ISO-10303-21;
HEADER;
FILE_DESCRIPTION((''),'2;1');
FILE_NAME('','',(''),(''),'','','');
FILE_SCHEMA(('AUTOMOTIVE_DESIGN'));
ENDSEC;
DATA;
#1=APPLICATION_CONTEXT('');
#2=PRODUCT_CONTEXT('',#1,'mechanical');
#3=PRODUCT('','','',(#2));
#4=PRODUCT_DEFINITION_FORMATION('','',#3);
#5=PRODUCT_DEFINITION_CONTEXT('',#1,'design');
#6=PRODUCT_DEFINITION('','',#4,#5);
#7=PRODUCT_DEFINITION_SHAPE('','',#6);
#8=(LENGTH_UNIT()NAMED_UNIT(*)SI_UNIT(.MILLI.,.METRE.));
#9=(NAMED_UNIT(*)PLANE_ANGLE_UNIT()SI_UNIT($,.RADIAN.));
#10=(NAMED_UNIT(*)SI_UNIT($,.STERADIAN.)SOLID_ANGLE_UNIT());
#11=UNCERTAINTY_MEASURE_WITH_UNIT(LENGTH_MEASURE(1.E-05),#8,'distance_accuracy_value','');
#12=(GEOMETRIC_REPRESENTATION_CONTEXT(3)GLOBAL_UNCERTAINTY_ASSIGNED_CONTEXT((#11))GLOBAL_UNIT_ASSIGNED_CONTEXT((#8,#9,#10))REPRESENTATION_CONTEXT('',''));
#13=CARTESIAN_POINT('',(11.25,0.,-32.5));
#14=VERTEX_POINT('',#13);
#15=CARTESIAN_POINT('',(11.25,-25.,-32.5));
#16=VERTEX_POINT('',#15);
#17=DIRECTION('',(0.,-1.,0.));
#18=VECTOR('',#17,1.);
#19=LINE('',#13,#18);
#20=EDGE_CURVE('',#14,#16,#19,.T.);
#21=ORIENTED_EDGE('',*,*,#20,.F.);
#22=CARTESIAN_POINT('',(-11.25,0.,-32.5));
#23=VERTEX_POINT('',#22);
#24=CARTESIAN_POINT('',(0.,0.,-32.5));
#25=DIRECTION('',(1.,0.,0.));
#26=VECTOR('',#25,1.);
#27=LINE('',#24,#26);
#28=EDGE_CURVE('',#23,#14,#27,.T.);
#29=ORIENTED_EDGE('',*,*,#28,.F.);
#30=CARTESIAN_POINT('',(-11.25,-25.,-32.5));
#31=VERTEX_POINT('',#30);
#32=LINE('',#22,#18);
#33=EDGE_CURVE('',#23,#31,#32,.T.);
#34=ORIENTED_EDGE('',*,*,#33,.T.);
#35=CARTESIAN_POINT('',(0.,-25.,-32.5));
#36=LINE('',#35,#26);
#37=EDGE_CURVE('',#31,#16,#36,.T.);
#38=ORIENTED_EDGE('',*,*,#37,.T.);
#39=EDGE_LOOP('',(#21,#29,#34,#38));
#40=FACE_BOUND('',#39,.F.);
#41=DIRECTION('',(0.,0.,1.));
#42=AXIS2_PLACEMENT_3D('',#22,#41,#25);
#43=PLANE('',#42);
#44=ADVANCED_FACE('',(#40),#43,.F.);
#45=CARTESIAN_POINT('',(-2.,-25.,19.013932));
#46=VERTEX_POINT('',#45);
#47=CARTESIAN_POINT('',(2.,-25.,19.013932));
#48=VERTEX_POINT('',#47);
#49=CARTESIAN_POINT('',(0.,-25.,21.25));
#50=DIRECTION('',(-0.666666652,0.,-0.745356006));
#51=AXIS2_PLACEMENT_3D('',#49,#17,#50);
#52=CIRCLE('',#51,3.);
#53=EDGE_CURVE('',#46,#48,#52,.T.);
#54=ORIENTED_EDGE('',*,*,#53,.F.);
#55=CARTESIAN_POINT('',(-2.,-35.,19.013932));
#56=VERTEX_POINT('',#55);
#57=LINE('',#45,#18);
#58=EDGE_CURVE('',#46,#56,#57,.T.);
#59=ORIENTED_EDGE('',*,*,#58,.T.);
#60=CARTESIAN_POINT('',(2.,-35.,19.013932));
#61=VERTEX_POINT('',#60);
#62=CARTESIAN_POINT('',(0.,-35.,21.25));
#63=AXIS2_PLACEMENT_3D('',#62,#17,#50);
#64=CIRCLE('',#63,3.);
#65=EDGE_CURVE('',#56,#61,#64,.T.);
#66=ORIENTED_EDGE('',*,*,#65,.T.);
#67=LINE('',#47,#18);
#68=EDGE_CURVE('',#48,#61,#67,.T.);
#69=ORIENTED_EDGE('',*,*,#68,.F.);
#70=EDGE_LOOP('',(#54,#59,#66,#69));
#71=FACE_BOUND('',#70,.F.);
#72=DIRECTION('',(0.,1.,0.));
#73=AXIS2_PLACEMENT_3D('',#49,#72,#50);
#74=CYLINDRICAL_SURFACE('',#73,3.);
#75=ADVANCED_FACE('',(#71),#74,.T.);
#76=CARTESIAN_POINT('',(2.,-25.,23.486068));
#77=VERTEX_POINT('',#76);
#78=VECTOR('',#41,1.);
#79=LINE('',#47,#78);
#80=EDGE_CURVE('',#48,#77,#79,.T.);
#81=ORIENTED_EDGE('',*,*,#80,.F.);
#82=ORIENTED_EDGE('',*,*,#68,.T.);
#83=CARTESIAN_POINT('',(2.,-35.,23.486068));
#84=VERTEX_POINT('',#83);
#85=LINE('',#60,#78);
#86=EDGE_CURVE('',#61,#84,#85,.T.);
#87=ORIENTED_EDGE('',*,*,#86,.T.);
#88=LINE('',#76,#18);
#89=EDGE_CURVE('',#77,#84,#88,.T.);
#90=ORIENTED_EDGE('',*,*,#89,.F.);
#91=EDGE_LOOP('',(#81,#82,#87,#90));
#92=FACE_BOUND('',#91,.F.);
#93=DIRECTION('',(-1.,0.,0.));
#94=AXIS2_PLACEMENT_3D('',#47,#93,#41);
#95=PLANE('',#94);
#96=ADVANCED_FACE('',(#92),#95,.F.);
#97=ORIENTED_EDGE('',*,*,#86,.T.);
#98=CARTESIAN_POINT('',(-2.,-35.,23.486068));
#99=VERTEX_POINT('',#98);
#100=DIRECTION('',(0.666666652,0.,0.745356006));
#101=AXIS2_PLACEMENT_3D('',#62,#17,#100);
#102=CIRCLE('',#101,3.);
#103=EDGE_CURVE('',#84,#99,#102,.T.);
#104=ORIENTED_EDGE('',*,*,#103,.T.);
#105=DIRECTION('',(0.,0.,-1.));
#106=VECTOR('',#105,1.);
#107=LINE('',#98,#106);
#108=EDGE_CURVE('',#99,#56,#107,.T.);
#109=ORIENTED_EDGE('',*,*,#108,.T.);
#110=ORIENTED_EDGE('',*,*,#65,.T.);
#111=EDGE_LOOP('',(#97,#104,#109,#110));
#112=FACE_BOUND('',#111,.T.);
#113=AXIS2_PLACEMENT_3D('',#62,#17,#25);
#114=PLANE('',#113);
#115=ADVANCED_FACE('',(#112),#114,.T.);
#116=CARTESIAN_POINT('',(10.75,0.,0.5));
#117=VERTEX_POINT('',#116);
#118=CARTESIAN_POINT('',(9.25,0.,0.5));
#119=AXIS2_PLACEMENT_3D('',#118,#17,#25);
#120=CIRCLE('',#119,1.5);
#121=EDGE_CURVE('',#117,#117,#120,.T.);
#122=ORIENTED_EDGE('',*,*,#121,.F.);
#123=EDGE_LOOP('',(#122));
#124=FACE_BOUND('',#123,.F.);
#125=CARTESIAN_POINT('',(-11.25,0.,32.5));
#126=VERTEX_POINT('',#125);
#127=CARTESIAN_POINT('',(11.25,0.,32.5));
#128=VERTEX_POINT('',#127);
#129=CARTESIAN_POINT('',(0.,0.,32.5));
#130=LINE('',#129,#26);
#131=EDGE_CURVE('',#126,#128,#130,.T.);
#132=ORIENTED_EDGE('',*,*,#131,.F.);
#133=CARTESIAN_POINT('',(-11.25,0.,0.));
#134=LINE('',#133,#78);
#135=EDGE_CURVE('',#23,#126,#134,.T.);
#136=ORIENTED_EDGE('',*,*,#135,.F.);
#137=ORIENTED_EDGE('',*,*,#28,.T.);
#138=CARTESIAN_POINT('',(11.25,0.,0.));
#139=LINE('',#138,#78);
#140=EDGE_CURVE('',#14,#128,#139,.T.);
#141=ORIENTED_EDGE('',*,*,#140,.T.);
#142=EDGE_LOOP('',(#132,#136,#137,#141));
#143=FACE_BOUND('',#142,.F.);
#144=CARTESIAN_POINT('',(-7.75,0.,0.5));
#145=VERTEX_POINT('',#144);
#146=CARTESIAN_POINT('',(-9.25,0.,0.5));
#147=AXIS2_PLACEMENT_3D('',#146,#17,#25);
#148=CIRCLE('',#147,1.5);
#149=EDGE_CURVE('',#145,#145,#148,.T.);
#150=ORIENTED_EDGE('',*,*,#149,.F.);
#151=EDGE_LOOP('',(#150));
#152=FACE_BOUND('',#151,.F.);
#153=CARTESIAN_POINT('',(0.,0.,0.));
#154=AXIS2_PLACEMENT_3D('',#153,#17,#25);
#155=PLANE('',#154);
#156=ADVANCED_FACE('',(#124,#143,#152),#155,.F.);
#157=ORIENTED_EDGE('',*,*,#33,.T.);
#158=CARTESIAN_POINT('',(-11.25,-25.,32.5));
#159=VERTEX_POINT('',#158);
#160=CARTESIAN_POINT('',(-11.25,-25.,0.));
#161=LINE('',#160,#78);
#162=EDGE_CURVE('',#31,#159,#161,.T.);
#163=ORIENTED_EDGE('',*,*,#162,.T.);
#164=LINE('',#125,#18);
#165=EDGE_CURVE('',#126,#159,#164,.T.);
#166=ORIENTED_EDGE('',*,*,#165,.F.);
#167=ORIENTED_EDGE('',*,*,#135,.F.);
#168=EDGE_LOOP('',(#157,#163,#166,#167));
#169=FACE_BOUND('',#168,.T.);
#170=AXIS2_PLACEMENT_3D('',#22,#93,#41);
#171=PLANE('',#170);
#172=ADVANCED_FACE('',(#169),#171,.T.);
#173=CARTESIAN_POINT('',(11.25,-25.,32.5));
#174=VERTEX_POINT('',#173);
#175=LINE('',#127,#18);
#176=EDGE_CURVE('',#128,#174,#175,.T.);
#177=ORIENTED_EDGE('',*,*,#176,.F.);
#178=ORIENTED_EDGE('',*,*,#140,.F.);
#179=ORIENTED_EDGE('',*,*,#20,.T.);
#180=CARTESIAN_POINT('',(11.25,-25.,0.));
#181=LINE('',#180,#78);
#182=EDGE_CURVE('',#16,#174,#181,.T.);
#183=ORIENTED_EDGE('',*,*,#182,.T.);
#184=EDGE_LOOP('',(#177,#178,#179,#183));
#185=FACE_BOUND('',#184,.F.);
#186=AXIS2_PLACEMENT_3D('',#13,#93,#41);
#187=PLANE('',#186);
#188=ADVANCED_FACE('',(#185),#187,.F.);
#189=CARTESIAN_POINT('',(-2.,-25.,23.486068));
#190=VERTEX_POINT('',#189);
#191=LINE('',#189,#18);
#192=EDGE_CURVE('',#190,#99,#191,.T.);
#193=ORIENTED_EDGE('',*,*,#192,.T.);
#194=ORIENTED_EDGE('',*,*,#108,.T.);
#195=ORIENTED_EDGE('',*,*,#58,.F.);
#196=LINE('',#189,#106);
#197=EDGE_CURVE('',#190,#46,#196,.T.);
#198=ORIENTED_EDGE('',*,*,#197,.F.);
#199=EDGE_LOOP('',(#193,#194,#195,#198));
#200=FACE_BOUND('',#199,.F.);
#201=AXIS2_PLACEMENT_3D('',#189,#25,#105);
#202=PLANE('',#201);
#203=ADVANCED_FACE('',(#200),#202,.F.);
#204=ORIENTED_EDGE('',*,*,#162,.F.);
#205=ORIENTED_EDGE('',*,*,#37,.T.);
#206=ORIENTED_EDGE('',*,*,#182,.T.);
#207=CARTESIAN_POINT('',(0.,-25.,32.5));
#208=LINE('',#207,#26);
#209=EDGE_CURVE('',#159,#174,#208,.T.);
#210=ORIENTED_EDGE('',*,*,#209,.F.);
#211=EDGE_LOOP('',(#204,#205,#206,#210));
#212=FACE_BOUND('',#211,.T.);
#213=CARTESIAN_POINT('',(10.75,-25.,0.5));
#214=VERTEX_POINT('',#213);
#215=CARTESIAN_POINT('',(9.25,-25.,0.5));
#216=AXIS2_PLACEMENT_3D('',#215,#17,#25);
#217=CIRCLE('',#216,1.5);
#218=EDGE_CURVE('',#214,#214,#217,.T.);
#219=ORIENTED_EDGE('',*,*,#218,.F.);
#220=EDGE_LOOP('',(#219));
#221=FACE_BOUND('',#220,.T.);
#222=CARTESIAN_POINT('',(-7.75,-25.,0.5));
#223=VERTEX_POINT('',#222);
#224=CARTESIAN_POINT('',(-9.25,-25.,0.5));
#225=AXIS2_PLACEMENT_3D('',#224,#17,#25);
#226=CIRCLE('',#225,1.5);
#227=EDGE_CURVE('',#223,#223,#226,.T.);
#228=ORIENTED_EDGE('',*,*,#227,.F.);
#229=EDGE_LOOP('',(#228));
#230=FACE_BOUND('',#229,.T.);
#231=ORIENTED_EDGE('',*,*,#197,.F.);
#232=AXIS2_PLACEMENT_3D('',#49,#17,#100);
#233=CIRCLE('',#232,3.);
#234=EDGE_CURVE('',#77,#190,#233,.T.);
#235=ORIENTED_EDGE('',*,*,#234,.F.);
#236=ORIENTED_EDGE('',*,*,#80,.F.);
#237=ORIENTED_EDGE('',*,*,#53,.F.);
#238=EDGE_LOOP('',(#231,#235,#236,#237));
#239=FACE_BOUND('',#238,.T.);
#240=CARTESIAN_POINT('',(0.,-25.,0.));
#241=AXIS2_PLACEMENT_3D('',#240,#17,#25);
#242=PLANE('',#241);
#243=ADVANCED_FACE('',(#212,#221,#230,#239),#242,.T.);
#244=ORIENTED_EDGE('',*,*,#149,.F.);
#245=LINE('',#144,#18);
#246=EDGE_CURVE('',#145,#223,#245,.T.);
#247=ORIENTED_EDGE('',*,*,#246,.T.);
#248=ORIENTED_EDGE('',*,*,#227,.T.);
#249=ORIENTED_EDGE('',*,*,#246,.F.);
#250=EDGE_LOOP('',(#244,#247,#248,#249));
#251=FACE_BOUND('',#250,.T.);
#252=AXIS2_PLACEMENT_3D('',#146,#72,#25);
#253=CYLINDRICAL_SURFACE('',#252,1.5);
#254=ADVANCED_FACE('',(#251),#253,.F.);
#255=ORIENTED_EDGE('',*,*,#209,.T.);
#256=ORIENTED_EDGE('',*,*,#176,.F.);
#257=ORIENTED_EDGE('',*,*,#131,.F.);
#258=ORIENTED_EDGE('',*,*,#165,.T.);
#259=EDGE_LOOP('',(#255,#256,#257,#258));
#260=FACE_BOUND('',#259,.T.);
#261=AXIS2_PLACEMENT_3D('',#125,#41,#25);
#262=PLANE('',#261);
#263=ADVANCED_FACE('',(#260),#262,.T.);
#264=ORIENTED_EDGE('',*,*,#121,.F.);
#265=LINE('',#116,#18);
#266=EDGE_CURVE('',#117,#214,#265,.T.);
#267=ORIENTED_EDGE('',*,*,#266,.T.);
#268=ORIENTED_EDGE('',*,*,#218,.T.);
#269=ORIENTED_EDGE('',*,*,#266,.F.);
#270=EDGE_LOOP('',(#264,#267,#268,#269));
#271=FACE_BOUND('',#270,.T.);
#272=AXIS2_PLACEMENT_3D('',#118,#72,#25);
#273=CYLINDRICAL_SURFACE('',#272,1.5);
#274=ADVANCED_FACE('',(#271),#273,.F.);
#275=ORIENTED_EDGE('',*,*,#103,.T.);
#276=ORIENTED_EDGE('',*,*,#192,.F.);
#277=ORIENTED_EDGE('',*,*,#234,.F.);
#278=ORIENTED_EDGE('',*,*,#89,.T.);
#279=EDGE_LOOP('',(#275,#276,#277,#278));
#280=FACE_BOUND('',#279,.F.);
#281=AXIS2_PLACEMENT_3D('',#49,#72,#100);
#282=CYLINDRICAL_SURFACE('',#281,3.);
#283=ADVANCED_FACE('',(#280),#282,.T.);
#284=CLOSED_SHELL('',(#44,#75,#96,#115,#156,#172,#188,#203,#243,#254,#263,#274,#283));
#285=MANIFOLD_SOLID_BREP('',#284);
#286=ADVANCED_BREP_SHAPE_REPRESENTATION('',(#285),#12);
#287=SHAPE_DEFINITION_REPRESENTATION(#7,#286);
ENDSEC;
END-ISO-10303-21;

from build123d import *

# Parameters (mm, degrees)
F0_W     = 22.5
F0_H     = 65
F0_R     = 1.5
F1_DEPTH = 25
F3_DEPTH = 10


with BuildPart() as f1:
    # F0 (on Front) → F1 (new body)
    with BuildSketch(Plane.XZ):
        Rectangle(F0_W, F0_H)
        with Locations((-9.25, 0.5)):
            Circle(F0_R, mode=Mode.SUBTRACT)
        with Locations((9.25, 0.5)):
            Circle(F0_R, mode=Mode.SUBTRACT)
    extrude(amount=F1_DEPTH)

    # F2 (on face) → F3 (join)
    with BuildSketch(Plane.XZ.offset(25)):
        with BuildLine():
            Line((-2, 23.486068), (-2, 19.013932))
            ThreePointArc((-2, 19.013932), (0, 18.25), (2, 19.013932))
            Line((2, 19.013932), (2, 23.486068))
            ThreePointArc((2, 23.486068), (0, 24.25), (-2, 23.486068))
        make_face()
    extrude(amount=F3_DEPTH)


solid = f1.part
